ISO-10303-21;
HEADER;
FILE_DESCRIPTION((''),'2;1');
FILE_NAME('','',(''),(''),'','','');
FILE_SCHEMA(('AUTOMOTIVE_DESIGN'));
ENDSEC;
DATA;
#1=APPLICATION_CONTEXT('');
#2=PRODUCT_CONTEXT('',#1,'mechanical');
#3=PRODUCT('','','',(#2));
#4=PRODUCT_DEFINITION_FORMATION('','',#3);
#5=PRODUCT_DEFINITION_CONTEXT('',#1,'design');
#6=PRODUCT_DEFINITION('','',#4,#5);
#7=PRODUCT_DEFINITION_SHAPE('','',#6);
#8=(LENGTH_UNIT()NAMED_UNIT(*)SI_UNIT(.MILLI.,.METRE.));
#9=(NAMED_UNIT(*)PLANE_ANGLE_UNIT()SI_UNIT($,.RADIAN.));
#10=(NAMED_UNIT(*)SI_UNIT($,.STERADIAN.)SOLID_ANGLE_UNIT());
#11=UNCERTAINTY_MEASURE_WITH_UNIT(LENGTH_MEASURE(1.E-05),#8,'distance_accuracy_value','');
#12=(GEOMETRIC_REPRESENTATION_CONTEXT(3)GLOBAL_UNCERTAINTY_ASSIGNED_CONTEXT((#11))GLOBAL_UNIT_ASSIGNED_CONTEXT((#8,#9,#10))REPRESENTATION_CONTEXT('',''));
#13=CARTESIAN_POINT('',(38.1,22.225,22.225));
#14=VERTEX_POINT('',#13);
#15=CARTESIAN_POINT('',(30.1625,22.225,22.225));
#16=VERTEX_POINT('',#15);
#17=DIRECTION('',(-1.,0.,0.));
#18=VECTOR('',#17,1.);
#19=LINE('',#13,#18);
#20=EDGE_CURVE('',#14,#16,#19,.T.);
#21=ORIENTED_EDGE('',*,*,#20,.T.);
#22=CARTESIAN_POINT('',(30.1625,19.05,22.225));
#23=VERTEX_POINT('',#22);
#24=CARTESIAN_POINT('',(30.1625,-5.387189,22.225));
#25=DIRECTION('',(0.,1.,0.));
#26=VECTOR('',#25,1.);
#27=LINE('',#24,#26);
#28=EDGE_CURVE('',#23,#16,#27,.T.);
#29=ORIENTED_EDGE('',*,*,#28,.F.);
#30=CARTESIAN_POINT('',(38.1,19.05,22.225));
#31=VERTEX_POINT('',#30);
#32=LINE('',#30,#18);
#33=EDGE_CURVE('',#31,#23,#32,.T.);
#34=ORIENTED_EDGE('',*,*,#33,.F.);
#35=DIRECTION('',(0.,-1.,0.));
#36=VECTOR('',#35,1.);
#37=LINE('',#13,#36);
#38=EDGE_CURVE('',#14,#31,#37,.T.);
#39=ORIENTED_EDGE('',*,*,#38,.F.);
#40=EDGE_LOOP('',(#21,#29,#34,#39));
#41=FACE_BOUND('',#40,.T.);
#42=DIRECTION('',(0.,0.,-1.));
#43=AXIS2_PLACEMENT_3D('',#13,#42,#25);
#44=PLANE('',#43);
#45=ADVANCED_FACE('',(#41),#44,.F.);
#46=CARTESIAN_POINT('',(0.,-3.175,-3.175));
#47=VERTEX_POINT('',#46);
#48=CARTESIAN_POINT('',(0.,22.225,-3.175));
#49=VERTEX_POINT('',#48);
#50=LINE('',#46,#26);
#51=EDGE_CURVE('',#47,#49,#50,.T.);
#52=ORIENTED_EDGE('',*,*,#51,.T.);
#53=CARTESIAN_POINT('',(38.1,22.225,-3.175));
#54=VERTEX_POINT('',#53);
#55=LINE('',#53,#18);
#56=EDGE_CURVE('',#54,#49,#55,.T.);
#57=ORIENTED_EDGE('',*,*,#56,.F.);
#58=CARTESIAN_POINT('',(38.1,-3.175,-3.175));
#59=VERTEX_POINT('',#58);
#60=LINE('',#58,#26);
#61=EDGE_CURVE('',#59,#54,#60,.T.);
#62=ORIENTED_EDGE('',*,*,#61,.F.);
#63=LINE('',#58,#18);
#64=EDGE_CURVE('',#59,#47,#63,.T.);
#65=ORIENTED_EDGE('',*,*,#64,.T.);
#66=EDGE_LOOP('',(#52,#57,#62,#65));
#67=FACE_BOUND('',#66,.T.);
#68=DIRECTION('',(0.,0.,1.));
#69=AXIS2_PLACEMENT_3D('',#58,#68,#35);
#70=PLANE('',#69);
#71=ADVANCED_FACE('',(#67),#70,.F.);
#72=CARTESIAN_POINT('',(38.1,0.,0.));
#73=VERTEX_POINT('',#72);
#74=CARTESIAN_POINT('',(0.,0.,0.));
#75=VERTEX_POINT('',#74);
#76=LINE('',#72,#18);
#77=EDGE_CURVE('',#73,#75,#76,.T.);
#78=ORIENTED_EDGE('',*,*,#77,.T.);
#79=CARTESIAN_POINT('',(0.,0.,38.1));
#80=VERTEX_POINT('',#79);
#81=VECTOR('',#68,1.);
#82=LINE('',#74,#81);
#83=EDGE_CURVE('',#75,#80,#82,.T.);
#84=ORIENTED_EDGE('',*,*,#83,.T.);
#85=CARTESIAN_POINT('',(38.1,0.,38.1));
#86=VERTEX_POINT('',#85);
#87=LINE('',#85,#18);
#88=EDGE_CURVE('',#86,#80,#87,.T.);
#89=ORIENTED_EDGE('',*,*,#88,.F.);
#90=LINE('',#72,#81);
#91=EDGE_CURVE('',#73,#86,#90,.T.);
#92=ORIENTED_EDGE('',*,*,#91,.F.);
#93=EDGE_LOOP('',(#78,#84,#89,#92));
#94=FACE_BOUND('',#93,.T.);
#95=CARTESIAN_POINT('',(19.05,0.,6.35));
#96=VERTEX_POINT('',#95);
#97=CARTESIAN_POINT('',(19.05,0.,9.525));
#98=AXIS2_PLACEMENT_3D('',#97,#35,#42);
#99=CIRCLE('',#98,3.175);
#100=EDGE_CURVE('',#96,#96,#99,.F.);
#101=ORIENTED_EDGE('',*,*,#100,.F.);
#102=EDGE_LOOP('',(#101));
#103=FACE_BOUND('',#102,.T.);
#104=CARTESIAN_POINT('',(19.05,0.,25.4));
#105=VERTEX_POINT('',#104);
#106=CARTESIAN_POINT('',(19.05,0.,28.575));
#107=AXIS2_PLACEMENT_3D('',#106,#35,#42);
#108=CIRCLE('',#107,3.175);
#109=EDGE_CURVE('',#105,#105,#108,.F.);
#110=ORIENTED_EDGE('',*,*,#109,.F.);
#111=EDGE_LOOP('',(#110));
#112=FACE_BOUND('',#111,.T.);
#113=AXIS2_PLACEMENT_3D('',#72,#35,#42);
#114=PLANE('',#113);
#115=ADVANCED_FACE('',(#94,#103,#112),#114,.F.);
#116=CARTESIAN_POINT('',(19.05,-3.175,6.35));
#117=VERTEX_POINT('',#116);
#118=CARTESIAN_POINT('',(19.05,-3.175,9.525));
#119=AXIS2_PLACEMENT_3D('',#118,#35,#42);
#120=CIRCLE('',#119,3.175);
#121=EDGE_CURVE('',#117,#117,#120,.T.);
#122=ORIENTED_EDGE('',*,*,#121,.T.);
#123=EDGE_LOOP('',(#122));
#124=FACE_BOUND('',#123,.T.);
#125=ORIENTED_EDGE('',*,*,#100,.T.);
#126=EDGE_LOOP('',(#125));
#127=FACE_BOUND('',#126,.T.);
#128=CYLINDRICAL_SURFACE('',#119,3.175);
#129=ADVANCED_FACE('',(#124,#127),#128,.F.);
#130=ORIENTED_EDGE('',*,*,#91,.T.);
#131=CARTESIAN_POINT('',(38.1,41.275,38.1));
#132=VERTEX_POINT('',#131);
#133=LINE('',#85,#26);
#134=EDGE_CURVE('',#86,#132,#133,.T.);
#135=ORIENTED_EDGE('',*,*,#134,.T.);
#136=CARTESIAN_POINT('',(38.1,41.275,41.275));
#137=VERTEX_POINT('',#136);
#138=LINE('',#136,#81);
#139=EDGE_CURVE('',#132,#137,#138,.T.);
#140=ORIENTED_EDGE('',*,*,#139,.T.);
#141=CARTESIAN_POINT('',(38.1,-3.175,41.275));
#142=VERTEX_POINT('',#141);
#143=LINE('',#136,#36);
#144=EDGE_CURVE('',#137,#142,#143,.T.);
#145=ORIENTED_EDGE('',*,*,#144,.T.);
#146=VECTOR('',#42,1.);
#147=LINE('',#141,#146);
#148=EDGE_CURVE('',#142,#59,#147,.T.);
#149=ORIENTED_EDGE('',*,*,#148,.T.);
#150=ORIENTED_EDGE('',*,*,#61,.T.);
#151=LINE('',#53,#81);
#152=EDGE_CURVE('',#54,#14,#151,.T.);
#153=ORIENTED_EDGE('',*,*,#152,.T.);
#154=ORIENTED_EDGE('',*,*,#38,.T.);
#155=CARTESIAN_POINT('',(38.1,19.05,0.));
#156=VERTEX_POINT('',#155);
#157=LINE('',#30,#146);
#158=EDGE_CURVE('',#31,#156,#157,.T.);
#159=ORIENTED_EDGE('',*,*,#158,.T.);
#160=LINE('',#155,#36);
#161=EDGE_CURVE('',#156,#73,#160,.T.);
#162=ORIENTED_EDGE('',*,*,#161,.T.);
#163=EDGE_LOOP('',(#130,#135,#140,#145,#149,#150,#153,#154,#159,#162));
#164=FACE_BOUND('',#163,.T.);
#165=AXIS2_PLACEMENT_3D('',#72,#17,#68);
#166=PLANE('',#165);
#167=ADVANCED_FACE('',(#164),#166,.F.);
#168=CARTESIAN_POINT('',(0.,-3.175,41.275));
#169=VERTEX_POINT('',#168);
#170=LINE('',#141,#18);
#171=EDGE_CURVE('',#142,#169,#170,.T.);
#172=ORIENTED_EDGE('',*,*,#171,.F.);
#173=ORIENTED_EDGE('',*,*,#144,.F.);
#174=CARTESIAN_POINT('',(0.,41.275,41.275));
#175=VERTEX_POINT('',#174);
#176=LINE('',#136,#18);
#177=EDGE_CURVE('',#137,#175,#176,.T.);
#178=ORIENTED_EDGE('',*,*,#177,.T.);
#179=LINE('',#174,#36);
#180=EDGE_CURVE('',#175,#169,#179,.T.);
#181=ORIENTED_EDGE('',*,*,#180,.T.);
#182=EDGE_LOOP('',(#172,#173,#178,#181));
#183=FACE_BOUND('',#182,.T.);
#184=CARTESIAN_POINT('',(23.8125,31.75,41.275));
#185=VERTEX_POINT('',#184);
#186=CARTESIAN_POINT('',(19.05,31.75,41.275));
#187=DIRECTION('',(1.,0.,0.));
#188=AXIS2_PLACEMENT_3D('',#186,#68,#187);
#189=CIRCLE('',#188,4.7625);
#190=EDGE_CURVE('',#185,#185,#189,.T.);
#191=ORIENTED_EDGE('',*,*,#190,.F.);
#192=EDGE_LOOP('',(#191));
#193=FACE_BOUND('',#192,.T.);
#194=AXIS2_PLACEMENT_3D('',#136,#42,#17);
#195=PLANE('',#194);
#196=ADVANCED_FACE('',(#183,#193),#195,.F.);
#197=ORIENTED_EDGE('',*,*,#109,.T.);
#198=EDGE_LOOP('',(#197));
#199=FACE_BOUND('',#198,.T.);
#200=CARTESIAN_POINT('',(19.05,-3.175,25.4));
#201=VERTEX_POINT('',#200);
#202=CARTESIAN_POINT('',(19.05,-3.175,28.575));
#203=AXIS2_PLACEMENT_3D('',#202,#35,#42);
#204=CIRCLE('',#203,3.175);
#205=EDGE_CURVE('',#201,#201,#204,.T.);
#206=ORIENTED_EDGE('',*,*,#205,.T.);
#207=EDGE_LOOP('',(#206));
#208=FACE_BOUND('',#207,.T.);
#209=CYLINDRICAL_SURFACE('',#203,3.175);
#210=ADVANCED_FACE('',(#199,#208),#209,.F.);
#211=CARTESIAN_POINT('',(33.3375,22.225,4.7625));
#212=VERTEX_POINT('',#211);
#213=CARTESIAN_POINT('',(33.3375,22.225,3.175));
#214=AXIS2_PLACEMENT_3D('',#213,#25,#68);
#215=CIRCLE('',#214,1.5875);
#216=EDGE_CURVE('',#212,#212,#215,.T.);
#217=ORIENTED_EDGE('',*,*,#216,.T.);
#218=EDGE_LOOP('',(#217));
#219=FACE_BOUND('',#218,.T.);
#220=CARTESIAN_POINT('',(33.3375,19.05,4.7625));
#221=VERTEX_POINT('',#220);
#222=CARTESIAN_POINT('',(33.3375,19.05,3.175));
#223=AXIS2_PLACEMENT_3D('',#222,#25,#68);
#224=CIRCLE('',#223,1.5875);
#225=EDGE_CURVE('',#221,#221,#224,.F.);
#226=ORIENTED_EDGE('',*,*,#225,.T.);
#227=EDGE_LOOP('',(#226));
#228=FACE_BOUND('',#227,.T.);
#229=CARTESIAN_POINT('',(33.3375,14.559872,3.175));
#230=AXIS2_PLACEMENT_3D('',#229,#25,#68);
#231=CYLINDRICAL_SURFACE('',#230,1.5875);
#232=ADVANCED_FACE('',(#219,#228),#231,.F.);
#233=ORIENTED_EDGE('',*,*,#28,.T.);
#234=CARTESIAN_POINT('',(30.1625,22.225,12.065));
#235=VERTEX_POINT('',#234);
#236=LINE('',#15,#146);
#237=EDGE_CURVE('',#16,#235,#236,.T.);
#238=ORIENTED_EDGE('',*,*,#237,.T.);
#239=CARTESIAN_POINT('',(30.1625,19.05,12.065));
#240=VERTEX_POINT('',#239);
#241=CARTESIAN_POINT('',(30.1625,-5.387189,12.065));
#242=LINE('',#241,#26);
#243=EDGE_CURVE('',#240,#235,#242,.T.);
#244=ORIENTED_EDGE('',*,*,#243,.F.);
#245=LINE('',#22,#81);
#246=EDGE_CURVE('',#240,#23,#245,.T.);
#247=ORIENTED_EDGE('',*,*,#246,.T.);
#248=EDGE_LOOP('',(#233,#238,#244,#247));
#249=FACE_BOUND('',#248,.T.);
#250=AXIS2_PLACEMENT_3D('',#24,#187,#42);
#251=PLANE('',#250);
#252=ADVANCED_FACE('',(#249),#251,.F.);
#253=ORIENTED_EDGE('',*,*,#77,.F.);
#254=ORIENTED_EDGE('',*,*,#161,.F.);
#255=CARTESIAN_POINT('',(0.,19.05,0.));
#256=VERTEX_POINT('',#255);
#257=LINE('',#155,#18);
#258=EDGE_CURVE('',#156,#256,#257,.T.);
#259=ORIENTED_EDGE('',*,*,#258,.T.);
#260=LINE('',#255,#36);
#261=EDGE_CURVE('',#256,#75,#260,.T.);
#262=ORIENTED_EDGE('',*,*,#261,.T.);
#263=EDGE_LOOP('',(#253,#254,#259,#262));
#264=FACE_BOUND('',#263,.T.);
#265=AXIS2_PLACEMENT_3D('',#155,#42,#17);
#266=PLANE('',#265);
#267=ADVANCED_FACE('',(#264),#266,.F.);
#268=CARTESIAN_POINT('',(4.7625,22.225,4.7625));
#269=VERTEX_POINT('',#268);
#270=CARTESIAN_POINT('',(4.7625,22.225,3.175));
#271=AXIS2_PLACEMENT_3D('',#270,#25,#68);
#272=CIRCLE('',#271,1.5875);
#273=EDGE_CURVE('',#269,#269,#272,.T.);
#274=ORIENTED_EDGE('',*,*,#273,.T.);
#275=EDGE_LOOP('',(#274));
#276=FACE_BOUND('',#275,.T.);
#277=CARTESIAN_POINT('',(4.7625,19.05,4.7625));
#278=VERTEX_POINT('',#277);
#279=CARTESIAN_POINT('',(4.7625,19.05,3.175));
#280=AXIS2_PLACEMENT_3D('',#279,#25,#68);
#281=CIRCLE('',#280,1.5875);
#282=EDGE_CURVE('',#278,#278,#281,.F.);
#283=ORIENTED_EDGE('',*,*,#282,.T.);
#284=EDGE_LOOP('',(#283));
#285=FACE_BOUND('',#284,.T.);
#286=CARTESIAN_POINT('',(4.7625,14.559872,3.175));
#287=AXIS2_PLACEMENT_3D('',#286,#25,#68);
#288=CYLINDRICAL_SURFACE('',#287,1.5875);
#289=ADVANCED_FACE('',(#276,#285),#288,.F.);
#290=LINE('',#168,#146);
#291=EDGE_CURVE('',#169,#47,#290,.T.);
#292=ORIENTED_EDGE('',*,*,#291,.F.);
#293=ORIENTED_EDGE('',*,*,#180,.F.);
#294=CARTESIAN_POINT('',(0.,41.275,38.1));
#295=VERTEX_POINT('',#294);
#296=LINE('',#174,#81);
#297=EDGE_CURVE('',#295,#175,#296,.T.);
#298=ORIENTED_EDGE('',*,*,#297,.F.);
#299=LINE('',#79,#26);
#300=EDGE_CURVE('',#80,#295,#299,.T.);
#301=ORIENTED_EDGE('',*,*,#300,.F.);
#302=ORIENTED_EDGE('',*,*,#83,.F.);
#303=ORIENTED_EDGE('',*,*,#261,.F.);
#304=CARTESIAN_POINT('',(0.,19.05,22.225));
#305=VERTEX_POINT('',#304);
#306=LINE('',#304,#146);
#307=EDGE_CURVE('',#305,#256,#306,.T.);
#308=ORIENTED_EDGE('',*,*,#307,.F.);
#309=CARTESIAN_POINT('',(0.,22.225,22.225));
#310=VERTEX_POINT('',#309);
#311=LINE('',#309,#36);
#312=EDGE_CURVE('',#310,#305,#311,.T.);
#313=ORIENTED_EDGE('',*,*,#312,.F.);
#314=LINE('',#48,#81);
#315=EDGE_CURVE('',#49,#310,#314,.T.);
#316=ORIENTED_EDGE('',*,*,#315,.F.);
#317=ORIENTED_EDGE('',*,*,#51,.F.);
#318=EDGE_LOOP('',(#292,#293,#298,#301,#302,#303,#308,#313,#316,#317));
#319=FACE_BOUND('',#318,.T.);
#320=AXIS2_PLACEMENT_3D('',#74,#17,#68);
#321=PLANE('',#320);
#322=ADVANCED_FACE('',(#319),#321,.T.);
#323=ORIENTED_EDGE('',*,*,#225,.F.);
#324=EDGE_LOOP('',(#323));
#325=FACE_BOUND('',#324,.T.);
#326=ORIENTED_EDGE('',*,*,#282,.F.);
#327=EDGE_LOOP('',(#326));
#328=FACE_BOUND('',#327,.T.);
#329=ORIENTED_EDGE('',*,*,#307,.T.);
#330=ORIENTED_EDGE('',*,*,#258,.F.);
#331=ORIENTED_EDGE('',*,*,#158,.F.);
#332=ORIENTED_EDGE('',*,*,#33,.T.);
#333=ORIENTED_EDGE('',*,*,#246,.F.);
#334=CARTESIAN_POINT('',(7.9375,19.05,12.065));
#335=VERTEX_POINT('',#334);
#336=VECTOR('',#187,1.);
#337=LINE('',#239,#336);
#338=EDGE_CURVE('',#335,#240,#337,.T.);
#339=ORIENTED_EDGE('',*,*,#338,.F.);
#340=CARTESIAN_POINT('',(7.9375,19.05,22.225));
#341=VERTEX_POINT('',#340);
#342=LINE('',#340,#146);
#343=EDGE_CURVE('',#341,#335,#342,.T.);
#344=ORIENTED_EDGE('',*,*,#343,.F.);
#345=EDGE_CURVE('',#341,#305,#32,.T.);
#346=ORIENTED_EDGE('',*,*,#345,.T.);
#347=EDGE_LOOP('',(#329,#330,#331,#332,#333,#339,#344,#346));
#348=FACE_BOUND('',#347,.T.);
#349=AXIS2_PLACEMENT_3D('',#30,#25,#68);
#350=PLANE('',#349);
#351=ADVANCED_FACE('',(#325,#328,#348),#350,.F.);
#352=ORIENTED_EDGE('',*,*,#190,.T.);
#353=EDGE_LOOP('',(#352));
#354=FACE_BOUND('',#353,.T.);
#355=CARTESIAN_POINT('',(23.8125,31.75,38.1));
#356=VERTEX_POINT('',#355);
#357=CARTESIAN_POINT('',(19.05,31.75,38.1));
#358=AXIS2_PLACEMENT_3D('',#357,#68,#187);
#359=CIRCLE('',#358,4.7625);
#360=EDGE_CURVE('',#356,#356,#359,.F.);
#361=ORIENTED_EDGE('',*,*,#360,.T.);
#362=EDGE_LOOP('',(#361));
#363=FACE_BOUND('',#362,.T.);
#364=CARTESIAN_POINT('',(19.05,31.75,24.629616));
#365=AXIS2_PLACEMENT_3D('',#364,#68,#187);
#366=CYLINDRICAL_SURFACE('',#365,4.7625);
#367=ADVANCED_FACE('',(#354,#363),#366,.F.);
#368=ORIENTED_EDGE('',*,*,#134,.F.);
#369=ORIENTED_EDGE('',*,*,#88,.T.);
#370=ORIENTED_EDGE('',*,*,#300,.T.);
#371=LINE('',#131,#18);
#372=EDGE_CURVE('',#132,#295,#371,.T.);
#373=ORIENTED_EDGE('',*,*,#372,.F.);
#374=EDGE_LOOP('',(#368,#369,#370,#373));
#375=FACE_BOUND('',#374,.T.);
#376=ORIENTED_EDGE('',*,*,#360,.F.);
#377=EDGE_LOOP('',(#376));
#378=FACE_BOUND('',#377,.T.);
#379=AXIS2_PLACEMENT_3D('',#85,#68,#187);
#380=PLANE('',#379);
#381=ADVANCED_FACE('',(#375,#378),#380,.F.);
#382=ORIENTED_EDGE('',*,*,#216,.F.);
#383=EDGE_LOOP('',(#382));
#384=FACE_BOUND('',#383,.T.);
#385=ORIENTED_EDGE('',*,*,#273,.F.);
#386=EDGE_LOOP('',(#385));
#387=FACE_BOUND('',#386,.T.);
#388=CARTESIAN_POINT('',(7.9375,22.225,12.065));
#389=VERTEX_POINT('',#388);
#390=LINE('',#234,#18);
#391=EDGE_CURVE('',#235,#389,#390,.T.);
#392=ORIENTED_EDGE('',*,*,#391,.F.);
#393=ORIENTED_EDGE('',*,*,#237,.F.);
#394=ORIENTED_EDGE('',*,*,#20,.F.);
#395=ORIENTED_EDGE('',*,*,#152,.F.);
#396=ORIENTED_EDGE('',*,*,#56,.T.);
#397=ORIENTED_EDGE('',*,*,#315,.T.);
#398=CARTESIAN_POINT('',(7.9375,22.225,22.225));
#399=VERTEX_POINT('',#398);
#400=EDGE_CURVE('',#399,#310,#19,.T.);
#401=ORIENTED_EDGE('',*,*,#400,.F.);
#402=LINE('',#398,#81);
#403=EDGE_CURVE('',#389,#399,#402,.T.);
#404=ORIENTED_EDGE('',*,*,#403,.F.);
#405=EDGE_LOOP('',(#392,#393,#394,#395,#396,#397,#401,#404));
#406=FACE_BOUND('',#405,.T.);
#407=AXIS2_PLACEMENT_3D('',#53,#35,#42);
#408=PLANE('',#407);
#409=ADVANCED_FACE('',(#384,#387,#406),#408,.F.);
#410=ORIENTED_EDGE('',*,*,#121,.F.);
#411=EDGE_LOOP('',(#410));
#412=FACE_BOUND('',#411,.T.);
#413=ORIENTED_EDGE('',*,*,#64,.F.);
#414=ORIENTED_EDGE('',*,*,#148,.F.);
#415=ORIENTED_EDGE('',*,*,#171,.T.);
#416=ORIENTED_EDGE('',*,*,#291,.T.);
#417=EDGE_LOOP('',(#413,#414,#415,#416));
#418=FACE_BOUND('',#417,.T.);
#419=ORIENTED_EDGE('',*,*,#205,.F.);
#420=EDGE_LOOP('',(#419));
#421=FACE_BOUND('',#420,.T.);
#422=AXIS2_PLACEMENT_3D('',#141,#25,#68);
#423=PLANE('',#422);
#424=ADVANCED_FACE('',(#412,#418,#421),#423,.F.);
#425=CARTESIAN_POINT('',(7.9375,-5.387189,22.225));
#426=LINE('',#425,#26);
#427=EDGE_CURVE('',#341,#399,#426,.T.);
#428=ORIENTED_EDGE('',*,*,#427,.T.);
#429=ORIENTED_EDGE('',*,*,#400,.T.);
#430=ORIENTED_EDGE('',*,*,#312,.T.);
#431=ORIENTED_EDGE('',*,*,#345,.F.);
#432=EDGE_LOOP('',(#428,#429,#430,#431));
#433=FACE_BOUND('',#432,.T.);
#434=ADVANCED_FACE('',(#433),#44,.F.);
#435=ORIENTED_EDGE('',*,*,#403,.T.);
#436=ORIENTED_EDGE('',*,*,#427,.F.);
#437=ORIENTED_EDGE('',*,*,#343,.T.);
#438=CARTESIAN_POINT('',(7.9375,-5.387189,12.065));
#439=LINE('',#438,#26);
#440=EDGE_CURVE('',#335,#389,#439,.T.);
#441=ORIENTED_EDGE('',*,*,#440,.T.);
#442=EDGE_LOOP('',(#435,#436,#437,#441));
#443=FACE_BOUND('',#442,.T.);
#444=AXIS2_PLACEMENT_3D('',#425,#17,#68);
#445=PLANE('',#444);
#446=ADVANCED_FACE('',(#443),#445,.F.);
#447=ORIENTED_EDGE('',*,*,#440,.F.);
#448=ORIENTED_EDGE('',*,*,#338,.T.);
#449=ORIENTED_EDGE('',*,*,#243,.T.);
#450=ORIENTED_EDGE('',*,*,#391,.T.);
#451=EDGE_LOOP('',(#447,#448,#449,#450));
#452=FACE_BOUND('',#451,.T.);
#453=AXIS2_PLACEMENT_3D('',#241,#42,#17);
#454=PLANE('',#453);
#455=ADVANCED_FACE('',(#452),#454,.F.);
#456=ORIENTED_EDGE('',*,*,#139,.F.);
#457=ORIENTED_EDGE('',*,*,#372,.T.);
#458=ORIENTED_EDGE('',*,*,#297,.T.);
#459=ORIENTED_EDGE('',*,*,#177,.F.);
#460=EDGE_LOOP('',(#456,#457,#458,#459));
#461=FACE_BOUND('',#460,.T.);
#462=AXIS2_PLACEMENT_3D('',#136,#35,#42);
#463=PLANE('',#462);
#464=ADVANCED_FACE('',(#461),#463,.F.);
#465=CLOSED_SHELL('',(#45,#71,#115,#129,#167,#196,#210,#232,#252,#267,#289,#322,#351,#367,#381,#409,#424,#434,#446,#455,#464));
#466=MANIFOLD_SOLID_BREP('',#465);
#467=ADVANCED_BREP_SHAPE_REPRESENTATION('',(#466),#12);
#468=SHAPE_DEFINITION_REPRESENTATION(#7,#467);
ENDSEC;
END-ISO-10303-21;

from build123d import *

# Parameters (mm, degrees)
BOSS_EXTRUDE1_DEPTH              = 38.1
SKETCH2_W                        = 22.225
SKETCH2_H                        = 10.16
CUT_EXTRUDE1_DEPTH               = 3.175
SKETCH6_R                        = 1.5875
CUT_EXTRUDE2_DEPTH               = 3.175
SKETCH7_R                        = 4.7625
CUT_EXTRUDE3_DEPTH               = 3.175
F_1_4_0_25_DIAMETER_HOLE1_REACH  = 73.631
F_1_4_0_25_DIAMETER_HOLE1_BORE_R = 3.175


with BuildPart() as part:
    # Sketch1 → Boss-Extrude1 (new body)
    with BuildSketch(Plane(origin=(0, 0, 0), x_dir=(0, 0, -1), z_dir=(1, 0, 0))):
        Polygon((0, 0), (-38.1, 0), (-38.1, 41.275), (-41.275, 41.275), (-41.275, -3.175), (3.175, -3.175), (3.175, 22.225), (-22.225, 22.225), (-22.225, 19.05), (0, 19.05), align=None)
    extrude(amount=BOSS_EXTRUDE1_DEPTH)

    # Sketch2 → Cut-Extrude1 (cut)
    with BuildSketch(Plane(origin=(0, 22.225, 0), x_dir=(1, 0, 0), z_dir=(0, 1, 0))):
        with Locations((19.05, -17.145)):
            Rectangle(SKETCH2_W, SKETCH2_H)
    extrude(amount=-CUT_EXTRUDE1_DEPTH, mode=Mode.SUBTRACT)

    # Sketch6 → Cut-Extrude2 (cut)
    with BuildSketch(Plane(origin=(0, 22.225, 0), x_dir=(1, 0, 0), z_dir=(0, 1, 0))):
        with Locations(Location((33.3375, -3.175, 0), (0, 0, 270))):
            Circle(SKETCH6_R)
        with Locations(Location((4.7625, -3.175, 0), (0, 0, 270))):
            Circle(SKETCH6_R)
    extrude(amount=-CUT_EXTRUDE2_DEPTH, mode=Mode.SUBTRACT)

    # Sketch7 → Cut-Extrude3 (cut)
    with BuildSketch(Plane.XY.offset(41.275)):
        with Locations((19.05, 31.75)):
            Circle(SKETCH7_R)
    extrude(amount=-CUT_EXTRUDE3_DEPTH, mode=Mode.SUBTRACT)

    # 1/4 (0.25) Diameter Hole1 bore → 1/4 (0.25) Diameter Hole1 (cut, up to next)
    with BuildSketch(Plane(origin=(0, -3.175, 0), x_dir=(-1, 0, 0), z_dir=(0, -1, 0)), mode=Mode.PRIVATE) as f_1_4_0_25_diameter_hole1_sk1:
        with Locations((-19.05, -28.575)):
            Circle(F_1_4_0_25_DIAMETER_HOLE1_BORE_R)
    f_1_4_0_25_diameter_hole1_tool1 = extrude(f_1_4_0_25_diameter_hole1_sk1.sketch, amount=-F_1_4_0_25_DIAMETER_HOLE1_REACH, mode=Mode.PRIVATE) & part.part
    # 1/4 (0.25) Diameter Hole1 bore → 1/4 (0.25) Diameter Hole1 (cut, up to next)
    with BuildSketch(Plane(origin=(0, -3.175, 0), x_dir=(-1, 0, 0), z_dir=(0, -1, 0)), mode=Mode.PRIVATE) as f_1_4_0_25_diameter_hole1_sk2:
        with Locations((-19.05, -9.525)):
            Circle(F_1_4_0_25_DIAMETER_HOLE1_BORE_R)
    f_1_4_0_25_diameter_hole1_tool2 = extrude(f_1_4_0_25_diameter_hole1_sk2.sketch, amount=-F_1_4_0_25_DIAMETER_HOLE1_REACH, mode=Mode.PRIVATE) & part.part
    add(f_1_4_0_25_diameter_hole1_tool1.solids().sort_by_distance((19.05, -3.175, 28.575))[0], mode=Mode.SUBTRACT)
    add(f_1_4_0_25_diameter_hole1_tool2.solids().sort_by_distance((19.05, -3.175, 9.525))[0], mode=Mode.SUBTRACT)


solid = part.part
